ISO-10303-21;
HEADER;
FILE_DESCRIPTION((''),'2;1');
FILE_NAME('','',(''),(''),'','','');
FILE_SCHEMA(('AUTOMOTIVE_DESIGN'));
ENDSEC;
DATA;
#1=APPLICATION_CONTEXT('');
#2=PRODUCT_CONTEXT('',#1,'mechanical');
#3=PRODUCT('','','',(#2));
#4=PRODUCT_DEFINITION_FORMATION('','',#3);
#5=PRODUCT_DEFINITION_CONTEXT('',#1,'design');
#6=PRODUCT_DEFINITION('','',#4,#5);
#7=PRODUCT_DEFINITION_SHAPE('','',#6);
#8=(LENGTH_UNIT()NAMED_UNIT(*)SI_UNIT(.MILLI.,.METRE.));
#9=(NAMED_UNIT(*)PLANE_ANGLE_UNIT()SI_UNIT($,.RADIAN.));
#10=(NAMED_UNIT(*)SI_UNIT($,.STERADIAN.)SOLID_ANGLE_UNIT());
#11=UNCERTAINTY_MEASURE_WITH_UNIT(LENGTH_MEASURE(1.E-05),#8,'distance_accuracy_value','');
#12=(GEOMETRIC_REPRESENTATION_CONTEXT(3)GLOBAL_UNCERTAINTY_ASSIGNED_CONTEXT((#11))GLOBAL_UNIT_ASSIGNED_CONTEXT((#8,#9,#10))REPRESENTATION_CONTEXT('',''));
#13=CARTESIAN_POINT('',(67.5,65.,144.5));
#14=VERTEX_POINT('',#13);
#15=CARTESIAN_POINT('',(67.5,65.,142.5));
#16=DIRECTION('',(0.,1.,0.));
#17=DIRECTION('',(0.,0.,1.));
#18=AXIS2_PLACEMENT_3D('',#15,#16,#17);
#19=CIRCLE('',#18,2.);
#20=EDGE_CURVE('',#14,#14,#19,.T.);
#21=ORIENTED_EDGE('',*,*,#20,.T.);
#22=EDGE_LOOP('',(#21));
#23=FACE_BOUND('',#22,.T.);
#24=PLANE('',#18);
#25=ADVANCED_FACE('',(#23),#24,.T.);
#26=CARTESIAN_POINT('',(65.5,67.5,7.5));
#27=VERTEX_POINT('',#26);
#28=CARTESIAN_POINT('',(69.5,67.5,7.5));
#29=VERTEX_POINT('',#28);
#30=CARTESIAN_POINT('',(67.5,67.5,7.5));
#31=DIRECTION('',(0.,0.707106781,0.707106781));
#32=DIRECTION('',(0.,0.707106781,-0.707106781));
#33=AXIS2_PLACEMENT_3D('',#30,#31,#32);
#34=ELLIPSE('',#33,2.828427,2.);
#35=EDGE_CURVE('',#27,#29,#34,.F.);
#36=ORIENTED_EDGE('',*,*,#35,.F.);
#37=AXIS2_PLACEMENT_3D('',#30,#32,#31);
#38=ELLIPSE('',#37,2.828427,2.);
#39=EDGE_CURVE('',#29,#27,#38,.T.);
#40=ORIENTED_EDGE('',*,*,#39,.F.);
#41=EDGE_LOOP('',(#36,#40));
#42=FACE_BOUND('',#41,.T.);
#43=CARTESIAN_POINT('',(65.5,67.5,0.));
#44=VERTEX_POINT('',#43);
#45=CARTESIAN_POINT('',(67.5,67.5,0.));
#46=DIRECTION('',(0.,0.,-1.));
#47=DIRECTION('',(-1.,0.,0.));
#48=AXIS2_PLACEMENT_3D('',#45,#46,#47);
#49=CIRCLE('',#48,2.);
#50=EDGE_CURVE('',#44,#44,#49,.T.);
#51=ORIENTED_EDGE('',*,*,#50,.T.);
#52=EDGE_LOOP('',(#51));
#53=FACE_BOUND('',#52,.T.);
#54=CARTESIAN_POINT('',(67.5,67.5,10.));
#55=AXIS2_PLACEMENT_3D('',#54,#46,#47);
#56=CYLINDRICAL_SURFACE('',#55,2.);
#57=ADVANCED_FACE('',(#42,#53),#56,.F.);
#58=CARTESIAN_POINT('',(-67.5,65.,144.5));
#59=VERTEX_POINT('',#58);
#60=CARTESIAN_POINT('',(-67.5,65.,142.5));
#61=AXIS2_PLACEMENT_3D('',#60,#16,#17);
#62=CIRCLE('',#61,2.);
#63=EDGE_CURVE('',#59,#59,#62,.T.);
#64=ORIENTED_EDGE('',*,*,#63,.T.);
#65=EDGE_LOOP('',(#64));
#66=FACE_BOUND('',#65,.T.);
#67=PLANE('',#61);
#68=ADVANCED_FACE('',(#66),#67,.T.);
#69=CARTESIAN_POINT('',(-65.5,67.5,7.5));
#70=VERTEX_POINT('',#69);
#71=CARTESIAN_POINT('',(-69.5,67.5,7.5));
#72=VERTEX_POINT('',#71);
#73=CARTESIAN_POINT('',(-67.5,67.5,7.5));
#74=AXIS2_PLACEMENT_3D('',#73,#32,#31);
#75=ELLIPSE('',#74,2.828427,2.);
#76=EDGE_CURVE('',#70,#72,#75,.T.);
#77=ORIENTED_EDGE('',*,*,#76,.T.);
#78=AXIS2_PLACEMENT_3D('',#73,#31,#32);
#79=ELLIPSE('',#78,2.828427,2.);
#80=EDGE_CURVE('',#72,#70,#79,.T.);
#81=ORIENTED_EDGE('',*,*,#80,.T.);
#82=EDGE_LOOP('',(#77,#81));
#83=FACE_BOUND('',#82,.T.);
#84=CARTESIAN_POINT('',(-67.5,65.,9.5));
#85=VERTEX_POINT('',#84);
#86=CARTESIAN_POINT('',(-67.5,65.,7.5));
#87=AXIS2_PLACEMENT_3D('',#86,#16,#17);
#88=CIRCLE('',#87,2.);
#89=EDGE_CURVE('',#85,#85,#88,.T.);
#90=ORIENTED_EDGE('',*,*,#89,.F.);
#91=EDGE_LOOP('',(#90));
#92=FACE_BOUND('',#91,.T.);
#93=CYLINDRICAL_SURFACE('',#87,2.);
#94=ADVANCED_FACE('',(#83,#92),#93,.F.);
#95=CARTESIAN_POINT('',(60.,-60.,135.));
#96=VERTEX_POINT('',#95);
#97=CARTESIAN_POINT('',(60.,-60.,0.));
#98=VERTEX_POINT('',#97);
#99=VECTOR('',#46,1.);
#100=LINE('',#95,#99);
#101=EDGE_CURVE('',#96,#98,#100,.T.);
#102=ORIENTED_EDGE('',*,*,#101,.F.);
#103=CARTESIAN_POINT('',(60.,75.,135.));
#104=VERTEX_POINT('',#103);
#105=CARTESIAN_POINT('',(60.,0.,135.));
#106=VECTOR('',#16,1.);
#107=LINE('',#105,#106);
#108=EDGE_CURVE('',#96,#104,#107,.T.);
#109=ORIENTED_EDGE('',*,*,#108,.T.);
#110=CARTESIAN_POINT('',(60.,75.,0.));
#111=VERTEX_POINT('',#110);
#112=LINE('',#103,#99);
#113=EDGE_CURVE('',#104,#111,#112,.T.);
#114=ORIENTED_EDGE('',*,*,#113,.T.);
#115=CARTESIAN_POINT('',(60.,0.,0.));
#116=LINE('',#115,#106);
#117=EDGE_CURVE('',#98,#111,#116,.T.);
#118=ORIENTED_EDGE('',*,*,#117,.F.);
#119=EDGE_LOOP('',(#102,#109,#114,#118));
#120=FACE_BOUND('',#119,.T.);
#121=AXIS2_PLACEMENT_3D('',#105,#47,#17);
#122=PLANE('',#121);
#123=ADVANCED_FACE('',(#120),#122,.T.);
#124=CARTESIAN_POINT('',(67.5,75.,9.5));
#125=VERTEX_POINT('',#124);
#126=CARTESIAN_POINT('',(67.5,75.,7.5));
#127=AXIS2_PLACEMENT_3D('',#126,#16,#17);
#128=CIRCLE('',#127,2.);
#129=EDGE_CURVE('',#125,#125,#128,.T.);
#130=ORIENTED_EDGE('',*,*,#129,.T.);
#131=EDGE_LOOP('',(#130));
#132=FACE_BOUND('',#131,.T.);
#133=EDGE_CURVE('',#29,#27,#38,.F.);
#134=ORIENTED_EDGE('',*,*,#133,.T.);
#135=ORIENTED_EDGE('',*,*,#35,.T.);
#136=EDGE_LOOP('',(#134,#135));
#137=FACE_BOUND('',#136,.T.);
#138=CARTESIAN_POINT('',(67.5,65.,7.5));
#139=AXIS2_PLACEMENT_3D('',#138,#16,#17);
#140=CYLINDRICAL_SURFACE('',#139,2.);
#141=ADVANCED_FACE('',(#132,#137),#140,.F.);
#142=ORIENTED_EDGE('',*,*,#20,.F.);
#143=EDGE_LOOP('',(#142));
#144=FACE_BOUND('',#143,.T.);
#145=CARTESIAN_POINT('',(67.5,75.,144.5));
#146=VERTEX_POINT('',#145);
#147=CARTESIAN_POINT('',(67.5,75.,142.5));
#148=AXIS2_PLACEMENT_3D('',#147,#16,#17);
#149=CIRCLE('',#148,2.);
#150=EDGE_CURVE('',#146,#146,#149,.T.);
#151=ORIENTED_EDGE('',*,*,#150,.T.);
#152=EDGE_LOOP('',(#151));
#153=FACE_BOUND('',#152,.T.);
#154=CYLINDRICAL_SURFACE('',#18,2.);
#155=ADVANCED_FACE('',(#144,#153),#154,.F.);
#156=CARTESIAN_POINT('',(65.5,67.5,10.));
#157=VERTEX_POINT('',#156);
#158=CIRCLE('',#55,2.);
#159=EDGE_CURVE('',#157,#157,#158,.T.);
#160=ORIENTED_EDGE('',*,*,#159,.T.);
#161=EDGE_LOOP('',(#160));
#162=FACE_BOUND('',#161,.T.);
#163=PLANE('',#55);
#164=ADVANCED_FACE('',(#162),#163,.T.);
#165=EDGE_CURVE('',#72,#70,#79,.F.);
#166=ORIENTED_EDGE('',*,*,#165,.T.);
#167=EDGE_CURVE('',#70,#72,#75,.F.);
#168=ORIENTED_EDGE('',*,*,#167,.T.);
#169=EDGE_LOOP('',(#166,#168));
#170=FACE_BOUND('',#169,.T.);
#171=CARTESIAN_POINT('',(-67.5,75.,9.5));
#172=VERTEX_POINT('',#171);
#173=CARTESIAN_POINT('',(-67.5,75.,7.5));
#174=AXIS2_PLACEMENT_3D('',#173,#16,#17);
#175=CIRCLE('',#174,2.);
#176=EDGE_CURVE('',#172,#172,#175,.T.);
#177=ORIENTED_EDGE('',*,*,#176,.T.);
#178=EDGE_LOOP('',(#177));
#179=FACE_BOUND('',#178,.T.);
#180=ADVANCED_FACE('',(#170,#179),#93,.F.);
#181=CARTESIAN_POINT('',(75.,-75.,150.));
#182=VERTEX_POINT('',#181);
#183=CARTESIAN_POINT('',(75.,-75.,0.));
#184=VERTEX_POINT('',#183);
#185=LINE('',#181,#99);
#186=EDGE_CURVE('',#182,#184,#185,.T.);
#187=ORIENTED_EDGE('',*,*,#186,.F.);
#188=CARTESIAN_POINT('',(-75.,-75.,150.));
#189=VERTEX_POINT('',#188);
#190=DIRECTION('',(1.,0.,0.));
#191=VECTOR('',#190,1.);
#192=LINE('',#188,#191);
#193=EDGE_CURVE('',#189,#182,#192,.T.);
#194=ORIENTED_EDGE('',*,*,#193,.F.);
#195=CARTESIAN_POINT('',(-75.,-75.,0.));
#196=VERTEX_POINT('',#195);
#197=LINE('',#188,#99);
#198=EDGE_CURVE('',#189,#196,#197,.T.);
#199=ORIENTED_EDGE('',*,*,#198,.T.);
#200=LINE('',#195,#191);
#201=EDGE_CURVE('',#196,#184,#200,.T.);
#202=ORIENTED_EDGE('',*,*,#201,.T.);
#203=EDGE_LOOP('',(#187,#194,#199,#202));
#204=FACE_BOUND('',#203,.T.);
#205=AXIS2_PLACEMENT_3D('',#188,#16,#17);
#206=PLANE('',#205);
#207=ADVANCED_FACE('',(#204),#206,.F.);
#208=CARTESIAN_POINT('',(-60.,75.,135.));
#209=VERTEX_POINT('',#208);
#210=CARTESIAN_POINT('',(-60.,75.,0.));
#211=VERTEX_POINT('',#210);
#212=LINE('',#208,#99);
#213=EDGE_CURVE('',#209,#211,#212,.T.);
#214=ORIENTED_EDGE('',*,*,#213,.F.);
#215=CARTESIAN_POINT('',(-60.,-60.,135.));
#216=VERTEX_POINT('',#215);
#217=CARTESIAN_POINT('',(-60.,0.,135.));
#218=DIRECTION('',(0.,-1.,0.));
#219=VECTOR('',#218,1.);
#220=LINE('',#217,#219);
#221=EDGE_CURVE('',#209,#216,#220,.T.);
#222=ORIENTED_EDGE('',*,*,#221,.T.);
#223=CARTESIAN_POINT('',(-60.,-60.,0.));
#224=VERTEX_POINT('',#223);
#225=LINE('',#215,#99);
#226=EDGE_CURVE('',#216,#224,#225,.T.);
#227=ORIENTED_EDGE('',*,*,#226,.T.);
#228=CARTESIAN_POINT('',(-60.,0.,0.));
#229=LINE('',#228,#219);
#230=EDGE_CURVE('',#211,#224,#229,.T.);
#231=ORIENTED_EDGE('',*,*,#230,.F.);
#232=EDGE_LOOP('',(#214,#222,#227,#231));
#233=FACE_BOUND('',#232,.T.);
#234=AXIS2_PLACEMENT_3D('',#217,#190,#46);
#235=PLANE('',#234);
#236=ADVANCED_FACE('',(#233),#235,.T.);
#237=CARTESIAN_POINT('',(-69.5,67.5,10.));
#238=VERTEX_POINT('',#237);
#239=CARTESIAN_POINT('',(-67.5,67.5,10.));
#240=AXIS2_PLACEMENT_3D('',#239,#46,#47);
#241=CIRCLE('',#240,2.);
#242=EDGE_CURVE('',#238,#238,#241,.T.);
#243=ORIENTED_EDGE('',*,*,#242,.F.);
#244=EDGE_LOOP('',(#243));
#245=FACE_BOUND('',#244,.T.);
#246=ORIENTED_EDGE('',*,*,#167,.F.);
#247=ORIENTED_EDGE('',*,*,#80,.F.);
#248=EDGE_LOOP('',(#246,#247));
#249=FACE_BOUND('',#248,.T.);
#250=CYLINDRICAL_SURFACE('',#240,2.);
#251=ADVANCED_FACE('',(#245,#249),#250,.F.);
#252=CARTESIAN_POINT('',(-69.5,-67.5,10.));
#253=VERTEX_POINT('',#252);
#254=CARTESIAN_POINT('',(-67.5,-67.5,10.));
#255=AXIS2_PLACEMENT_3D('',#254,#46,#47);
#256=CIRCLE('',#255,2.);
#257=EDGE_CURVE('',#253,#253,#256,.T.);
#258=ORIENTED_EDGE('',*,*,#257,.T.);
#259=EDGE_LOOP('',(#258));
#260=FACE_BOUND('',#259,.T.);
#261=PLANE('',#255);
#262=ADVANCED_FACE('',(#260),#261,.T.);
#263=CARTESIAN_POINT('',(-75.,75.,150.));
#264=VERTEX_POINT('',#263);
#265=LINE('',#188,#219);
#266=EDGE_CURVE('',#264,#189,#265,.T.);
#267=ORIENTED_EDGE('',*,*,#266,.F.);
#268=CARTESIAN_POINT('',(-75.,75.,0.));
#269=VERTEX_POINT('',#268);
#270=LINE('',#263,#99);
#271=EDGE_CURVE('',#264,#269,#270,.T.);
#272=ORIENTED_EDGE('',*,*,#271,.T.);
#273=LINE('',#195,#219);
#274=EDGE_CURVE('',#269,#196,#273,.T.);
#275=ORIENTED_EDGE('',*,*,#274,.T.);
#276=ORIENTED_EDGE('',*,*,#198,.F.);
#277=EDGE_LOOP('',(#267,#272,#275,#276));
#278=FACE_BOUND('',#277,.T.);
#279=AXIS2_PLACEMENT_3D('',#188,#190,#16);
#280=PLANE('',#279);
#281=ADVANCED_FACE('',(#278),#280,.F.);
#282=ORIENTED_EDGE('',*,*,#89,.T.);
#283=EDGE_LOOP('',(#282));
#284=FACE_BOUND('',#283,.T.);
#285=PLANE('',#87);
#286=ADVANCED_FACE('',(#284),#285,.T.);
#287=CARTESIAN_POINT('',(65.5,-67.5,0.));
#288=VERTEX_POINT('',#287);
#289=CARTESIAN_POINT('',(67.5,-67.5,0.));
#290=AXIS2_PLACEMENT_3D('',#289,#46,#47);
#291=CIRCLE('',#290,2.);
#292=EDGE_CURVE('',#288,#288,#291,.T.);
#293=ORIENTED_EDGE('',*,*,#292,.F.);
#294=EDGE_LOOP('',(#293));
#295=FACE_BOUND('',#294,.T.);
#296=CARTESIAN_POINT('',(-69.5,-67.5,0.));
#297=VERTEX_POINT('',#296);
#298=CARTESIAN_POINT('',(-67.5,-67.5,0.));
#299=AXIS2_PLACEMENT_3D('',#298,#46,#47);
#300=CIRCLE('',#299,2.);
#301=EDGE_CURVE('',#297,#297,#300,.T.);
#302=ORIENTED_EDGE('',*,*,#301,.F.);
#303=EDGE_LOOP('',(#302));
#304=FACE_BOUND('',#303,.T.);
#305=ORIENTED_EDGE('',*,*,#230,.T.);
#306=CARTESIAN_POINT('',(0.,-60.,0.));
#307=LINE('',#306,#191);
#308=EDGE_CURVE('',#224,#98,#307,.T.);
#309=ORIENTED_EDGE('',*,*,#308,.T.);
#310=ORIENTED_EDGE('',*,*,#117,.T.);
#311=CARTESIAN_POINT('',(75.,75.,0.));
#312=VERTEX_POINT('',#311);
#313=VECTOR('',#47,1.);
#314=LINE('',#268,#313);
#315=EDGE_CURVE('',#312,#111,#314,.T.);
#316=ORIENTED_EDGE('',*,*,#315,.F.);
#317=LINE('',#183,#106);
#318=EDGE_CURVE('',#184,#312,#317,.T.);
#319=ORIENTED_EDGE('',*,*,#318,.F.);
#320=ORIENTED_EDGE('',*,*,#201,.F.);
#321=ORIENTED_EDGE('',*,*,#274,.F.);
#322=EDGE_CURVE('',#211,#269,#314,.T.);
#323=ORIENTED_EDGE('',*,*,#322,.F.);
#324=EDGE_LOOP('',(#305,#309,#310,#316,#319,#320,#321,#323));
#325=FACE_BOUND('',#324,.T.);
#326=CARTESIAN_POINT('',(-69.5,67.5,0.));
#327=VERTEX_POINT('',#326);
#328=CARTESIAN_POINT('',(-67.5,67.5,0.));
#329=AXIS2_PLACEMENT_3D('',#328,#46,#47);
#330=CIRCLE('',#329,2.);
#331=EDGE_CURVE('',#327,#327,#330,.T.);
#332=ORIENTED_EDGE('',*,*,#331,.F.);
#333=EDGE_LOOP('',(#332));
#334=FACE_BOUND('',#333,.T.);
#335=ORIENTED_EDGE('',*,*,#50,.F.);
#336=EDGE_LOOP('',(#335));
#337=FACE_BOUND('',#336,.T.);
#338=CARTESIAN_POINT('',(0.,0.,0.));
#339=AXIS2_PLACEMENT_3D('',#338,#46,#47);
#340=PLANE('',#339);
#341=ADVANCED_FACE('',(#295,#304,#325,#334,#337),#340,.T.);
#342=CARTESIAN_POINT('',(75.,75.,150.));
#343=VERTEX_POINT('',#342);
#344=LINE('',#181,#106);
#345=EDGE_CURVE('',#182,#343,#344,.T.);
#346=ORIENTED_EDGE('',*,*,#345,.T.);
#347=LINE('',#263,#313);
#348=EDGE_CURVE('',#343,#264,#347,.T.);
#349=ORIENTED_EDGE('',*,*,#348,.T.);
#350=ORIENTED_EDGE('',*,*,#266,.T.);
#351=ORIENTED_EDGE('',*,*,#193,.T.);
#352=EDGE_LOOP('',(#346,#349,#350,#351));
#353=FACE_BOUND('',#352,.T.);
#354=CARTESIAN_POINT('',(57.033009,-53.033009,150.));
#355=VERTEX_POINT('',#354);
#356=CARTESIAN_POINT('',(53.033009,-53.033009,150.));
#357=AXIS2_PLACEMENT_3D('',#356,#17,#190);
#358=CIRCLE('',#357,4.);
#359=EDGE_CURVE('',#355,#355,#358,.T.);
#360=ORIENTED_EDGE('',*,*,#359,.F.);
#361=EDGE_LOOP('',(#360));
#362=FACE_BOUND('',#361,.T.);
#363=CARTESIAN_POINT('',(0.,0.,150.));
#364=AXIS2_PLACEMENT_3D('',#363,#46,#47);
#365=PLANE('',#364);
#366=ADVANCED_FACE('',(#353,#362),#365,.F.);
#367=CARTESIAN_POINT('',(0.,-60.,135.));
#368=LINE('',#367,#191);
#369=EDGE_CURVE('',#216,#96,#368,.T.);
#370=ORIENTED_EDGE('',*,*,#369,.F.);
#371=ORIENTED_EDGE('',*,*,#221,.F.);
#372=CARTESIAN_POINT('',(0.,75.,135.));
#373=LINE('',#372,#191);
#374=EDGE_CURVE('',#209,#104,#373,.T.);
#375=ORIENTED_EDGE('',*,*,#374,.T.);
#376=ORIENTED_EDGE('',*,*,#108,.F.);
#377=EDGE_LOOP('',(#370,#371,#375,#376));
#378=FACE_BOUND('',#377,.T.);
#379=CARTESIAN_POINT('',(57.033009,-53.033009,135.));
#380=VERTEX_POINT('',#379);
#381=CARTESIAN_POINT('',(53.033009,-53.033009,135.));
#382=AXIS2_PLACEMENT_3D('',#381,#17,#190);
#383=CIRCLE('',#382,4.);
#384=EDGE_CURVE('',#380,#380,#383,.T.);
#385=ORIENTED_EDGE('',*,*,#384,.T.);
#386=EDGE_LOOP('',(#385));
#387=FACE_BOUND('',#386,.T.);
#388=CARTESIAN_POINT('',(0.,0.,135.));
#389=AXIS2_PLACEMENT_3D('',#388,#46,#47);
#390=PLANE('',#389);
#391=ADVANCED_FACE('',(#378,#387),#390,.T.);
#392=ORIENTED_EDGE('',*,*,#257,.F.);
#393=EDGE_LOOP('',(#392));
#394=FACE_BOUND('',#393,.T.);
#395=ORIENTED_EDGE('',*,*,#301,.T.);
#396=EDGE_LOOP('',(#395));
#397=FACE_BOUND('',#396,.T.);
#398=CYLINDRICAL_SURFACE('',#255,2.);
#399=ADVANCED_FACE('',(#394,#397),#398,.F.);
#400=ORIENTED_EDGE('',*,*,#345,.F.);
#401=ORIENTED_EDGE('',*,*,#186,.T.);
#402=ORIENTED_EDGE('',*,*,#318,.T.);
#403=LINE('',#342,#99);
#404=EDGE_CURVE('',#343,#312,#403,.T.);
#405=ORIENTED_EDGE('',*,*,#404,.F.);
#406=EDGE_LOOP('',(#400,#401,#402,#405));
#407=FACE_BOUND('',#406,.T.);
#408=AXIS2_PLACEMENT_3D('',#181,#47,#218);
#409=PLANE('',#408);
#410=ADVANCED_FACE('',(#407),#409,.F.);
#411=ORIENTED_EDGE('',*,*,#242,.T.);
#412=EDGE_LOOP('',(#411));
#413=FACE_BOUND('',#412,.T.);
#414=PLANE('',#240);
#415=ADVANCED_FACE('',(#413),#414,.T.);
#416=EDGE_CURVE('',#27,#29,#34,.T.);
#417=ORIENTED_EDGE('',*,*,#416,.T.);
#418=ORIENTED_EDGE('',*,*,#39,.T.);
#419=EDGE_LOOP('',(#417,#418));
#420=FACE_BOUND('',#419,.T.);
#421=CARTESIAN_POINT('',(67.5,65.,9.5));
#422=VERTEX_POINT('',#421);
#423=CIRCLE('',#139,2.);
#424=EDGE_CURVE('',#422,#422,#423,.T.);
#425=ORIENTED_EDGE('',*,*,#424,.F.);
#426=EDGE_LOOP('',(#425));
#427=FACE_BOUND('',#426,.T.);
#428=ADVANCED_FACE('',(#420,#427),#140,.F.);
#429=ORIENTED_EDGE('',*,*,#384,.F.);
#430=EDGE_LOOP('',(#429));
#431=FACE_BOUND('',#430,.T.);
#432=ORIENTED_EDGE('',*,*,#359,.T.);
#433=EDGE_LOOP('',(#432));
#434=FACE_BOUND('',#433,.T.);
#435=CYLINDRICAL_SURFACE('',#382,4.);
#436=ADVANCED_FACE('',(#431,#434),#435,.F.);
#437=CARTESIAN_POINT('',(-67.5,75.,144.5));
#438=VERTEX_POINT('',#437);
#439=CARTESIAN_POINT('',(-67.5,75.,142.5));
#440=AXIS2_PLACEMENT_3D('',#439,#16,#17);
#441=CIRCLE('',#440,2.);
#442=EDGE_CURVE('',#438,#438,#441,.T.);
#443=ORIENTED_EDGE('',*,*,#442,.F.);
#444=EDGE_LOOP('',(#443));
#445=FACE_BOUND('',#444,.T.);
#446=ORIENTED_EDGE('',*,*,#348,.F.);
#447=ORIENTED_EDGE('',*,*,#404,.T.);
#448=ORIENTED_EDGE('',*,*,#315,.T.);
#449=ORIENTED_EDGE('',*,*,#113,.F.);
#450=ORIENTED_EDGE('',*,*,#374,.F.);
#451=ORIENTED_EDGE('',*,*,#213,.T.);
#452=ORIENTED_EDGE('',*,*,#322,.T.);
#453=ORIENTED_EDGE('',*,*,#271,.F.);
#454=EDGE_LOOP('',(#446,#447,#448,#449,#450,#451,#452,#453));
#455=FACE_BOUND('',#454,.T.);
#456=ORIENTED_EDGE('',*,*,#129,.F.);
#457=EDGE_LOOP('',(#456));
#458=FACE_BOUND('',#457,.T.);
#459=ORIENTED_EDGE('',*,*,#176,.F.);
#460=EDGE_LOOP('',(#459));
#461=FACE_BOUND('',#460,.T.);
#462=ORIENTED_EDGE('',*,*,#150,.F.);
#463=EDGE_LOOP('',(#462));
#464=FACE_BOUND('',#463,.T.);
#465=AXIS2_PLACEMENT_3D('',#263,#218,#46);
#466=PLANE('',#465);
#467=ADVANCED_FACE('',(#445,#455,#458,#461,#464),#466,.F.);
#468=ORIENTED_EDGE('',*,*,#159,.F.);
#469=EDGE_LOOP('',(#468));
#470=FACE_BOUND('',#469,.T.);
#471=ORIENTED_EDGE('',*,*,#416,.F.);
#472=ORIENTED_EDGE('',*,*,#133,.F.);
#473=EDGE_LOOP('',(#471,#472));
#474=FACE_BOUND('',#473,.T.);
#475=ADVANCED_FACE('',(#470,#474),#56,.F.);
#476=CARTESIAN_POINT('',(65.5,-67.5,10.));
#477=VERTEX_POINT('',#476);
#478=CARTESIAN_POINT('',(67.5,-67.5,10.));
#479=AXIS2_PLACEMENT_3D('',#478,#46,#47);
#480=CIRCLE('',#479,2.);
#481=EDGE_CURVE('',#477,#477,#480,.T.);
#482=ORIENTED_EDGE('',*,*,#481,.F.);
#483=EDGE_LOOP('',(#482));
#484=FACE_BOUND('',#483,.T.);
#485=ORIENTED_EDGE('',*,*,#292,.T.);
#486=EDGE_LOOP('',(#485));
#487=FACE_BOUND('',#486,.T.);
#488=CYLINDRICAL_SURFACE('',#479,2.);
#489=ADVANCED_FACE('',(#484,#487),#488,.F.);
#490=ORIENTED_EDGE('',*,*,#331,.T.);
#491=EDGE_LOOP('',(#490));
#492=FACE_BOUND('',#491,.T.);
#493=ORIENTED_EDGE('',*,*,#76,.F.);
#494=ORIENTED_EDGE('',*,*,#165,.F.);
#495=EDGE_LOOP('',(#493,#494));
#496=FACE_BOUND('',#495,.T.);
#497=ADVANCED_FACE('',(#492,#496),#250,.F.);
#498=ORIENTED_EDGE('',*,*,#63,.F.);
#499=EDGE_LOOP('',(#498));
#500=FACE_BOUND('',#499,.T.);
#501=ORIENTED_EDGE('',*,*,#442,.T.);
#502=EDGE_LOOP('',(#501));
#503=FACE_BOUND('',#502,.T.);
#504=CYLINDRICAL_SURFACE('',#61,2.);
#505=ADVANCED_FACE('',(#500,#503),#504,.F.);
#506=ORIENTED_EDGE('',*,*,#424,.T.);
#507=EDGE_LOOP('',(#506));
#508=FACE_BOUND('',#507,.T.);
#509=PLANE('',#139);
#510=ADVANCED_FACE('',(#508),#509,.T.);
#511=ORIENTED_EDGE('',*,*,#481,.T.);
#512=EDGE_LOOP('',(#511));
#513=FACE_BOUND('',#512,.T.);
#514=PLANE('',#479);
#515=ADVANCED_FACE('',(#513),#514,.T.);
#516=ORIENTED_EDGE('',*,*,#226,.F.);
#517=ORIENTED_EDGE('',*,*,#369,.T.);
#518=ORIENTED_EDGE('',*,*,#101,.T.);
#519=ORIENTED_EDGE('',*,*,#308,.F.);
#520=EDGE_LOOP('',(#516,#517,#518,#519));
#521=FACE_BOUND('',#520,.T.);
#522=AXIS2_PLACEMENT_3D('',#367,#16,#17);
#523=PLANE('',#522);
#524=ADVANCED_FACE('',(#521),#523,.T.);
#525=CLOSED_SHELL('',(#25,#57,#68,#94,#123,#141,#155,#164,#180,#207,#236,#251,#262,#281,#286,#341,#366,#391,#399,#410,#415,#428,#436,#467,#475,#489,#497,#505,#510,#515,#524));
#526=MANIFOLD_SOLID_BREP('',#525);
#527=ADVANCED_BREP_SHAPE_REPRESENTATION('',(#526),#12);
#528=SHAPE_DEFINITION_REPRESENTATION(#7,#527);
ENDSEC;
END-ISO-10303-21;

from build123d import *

# Parameters (mm, degrees)
CROQUIS1_W              = 150
CROQUIS1_H              = 150
SALIENTE_EXTRUIR1_DEPTH = 150
CROQUIS2_W              = 120
CROQUIS2_H              = 15
CROQUIS2_H_2            = 120
CORTAR_EXTRUIR1_DEPTH   = 135
CROQUIS3_R              = 2
CORTAR_EXTRUIR2_DEPTH   = 10
CROQUIS4_R              = 2
CORTAR_EXTRUIR3_DEPTH   = 10
CROQUIS5_R              = 4
CORTAR_EXTRUIR4_DEPTH   = 15


with BuildPart() as part:
    # Croquis1 → Saliente-Extruir1 (new body)
    with BuildSketch(Plane.XY):
        Rectangle(CROQUIS1_W, CROQUIS1_H)
    extrude(amount=SALIENTE_EXTRUIR1_DEPTH)

    # Croquis2 → Cortar-Extruir1 (cut)
    with BuildSketch(Plane(origin=(0, 0, 0), x_dir=(-1, 0, 0), z_dir=(0, 0, -1))):
        with Locations((0, 67.5)):
            Rectangle(CROQUIS2_W, CROQUIS2_H)
        Rectangle(CROQUIS2_W, CROQUIS2_H_2)
    extrude(amount=-CORTAR_EXTRUIR1_DEPTH, mode=Mode.SUBTRACT)

    # Croquis3 → Cortar-Extruir2 (cut)
    with BuildSketch(Plane(origin=(0, 75, 0), x_dir=(1, 0, 0), z_dir=(0, 1, 0))):
        with Locations(Location((-67.5, -142.5, 0), (0, 0, 270))):
            Circle(CROQUIS3_R)
        with Locations(Location((67.5, -142.5, 0), (0, 0, 270))):
            Circle(CROQUIS3_R)
        with Locations(Location((67.5, -7.5, 0), (0, 0, 270))):
            Circle(CROQUIS3_R)
        with Locations(Location((-67.5, -7.5, 0), (0, 0, 270))):
            Circle(CROQUIS3_R)
    extrude(amount=-CORTAR_EXTRUIR2_DEPTH, mode=Mode.SUBTRACT)

    # Croquis4 → Cortar-Extruir3 (cut)
    with BuildSketch(Plane(origin=(0, 0, 0), x_dir=(-1, 0, 0), z_dir=(0, 0, -1))):
        with Locations((-67.5, -67.5)):
            Circle(CROQUIS4_R)
        with Locations((67.5, -67.5)):
            Circle(CROQUIS4_R)
        with Locations((67.5, 67.5)):
            Circle(CROQUIS4_R)
        with Locations((-67.5, 67.5)):
            Circle(CROQUIS4_R)
    extrude(amount=-CORTAR_EXTRUIR3_DEPTH, mode=Mode.SUBTRACT)

    # Croquis5 → Cortar-Extruir4 (cut)
    with BuildSketch(Plane.XY.offset(150)):
        with Locations((53.033008589, -53.033008589)):
            Circle(CROQUIS5_R)
    extrude(amount=-CORTAR_EXTRUIR4_DEPTH, mode=Mode.SUBTRACT)


solid = part.part
